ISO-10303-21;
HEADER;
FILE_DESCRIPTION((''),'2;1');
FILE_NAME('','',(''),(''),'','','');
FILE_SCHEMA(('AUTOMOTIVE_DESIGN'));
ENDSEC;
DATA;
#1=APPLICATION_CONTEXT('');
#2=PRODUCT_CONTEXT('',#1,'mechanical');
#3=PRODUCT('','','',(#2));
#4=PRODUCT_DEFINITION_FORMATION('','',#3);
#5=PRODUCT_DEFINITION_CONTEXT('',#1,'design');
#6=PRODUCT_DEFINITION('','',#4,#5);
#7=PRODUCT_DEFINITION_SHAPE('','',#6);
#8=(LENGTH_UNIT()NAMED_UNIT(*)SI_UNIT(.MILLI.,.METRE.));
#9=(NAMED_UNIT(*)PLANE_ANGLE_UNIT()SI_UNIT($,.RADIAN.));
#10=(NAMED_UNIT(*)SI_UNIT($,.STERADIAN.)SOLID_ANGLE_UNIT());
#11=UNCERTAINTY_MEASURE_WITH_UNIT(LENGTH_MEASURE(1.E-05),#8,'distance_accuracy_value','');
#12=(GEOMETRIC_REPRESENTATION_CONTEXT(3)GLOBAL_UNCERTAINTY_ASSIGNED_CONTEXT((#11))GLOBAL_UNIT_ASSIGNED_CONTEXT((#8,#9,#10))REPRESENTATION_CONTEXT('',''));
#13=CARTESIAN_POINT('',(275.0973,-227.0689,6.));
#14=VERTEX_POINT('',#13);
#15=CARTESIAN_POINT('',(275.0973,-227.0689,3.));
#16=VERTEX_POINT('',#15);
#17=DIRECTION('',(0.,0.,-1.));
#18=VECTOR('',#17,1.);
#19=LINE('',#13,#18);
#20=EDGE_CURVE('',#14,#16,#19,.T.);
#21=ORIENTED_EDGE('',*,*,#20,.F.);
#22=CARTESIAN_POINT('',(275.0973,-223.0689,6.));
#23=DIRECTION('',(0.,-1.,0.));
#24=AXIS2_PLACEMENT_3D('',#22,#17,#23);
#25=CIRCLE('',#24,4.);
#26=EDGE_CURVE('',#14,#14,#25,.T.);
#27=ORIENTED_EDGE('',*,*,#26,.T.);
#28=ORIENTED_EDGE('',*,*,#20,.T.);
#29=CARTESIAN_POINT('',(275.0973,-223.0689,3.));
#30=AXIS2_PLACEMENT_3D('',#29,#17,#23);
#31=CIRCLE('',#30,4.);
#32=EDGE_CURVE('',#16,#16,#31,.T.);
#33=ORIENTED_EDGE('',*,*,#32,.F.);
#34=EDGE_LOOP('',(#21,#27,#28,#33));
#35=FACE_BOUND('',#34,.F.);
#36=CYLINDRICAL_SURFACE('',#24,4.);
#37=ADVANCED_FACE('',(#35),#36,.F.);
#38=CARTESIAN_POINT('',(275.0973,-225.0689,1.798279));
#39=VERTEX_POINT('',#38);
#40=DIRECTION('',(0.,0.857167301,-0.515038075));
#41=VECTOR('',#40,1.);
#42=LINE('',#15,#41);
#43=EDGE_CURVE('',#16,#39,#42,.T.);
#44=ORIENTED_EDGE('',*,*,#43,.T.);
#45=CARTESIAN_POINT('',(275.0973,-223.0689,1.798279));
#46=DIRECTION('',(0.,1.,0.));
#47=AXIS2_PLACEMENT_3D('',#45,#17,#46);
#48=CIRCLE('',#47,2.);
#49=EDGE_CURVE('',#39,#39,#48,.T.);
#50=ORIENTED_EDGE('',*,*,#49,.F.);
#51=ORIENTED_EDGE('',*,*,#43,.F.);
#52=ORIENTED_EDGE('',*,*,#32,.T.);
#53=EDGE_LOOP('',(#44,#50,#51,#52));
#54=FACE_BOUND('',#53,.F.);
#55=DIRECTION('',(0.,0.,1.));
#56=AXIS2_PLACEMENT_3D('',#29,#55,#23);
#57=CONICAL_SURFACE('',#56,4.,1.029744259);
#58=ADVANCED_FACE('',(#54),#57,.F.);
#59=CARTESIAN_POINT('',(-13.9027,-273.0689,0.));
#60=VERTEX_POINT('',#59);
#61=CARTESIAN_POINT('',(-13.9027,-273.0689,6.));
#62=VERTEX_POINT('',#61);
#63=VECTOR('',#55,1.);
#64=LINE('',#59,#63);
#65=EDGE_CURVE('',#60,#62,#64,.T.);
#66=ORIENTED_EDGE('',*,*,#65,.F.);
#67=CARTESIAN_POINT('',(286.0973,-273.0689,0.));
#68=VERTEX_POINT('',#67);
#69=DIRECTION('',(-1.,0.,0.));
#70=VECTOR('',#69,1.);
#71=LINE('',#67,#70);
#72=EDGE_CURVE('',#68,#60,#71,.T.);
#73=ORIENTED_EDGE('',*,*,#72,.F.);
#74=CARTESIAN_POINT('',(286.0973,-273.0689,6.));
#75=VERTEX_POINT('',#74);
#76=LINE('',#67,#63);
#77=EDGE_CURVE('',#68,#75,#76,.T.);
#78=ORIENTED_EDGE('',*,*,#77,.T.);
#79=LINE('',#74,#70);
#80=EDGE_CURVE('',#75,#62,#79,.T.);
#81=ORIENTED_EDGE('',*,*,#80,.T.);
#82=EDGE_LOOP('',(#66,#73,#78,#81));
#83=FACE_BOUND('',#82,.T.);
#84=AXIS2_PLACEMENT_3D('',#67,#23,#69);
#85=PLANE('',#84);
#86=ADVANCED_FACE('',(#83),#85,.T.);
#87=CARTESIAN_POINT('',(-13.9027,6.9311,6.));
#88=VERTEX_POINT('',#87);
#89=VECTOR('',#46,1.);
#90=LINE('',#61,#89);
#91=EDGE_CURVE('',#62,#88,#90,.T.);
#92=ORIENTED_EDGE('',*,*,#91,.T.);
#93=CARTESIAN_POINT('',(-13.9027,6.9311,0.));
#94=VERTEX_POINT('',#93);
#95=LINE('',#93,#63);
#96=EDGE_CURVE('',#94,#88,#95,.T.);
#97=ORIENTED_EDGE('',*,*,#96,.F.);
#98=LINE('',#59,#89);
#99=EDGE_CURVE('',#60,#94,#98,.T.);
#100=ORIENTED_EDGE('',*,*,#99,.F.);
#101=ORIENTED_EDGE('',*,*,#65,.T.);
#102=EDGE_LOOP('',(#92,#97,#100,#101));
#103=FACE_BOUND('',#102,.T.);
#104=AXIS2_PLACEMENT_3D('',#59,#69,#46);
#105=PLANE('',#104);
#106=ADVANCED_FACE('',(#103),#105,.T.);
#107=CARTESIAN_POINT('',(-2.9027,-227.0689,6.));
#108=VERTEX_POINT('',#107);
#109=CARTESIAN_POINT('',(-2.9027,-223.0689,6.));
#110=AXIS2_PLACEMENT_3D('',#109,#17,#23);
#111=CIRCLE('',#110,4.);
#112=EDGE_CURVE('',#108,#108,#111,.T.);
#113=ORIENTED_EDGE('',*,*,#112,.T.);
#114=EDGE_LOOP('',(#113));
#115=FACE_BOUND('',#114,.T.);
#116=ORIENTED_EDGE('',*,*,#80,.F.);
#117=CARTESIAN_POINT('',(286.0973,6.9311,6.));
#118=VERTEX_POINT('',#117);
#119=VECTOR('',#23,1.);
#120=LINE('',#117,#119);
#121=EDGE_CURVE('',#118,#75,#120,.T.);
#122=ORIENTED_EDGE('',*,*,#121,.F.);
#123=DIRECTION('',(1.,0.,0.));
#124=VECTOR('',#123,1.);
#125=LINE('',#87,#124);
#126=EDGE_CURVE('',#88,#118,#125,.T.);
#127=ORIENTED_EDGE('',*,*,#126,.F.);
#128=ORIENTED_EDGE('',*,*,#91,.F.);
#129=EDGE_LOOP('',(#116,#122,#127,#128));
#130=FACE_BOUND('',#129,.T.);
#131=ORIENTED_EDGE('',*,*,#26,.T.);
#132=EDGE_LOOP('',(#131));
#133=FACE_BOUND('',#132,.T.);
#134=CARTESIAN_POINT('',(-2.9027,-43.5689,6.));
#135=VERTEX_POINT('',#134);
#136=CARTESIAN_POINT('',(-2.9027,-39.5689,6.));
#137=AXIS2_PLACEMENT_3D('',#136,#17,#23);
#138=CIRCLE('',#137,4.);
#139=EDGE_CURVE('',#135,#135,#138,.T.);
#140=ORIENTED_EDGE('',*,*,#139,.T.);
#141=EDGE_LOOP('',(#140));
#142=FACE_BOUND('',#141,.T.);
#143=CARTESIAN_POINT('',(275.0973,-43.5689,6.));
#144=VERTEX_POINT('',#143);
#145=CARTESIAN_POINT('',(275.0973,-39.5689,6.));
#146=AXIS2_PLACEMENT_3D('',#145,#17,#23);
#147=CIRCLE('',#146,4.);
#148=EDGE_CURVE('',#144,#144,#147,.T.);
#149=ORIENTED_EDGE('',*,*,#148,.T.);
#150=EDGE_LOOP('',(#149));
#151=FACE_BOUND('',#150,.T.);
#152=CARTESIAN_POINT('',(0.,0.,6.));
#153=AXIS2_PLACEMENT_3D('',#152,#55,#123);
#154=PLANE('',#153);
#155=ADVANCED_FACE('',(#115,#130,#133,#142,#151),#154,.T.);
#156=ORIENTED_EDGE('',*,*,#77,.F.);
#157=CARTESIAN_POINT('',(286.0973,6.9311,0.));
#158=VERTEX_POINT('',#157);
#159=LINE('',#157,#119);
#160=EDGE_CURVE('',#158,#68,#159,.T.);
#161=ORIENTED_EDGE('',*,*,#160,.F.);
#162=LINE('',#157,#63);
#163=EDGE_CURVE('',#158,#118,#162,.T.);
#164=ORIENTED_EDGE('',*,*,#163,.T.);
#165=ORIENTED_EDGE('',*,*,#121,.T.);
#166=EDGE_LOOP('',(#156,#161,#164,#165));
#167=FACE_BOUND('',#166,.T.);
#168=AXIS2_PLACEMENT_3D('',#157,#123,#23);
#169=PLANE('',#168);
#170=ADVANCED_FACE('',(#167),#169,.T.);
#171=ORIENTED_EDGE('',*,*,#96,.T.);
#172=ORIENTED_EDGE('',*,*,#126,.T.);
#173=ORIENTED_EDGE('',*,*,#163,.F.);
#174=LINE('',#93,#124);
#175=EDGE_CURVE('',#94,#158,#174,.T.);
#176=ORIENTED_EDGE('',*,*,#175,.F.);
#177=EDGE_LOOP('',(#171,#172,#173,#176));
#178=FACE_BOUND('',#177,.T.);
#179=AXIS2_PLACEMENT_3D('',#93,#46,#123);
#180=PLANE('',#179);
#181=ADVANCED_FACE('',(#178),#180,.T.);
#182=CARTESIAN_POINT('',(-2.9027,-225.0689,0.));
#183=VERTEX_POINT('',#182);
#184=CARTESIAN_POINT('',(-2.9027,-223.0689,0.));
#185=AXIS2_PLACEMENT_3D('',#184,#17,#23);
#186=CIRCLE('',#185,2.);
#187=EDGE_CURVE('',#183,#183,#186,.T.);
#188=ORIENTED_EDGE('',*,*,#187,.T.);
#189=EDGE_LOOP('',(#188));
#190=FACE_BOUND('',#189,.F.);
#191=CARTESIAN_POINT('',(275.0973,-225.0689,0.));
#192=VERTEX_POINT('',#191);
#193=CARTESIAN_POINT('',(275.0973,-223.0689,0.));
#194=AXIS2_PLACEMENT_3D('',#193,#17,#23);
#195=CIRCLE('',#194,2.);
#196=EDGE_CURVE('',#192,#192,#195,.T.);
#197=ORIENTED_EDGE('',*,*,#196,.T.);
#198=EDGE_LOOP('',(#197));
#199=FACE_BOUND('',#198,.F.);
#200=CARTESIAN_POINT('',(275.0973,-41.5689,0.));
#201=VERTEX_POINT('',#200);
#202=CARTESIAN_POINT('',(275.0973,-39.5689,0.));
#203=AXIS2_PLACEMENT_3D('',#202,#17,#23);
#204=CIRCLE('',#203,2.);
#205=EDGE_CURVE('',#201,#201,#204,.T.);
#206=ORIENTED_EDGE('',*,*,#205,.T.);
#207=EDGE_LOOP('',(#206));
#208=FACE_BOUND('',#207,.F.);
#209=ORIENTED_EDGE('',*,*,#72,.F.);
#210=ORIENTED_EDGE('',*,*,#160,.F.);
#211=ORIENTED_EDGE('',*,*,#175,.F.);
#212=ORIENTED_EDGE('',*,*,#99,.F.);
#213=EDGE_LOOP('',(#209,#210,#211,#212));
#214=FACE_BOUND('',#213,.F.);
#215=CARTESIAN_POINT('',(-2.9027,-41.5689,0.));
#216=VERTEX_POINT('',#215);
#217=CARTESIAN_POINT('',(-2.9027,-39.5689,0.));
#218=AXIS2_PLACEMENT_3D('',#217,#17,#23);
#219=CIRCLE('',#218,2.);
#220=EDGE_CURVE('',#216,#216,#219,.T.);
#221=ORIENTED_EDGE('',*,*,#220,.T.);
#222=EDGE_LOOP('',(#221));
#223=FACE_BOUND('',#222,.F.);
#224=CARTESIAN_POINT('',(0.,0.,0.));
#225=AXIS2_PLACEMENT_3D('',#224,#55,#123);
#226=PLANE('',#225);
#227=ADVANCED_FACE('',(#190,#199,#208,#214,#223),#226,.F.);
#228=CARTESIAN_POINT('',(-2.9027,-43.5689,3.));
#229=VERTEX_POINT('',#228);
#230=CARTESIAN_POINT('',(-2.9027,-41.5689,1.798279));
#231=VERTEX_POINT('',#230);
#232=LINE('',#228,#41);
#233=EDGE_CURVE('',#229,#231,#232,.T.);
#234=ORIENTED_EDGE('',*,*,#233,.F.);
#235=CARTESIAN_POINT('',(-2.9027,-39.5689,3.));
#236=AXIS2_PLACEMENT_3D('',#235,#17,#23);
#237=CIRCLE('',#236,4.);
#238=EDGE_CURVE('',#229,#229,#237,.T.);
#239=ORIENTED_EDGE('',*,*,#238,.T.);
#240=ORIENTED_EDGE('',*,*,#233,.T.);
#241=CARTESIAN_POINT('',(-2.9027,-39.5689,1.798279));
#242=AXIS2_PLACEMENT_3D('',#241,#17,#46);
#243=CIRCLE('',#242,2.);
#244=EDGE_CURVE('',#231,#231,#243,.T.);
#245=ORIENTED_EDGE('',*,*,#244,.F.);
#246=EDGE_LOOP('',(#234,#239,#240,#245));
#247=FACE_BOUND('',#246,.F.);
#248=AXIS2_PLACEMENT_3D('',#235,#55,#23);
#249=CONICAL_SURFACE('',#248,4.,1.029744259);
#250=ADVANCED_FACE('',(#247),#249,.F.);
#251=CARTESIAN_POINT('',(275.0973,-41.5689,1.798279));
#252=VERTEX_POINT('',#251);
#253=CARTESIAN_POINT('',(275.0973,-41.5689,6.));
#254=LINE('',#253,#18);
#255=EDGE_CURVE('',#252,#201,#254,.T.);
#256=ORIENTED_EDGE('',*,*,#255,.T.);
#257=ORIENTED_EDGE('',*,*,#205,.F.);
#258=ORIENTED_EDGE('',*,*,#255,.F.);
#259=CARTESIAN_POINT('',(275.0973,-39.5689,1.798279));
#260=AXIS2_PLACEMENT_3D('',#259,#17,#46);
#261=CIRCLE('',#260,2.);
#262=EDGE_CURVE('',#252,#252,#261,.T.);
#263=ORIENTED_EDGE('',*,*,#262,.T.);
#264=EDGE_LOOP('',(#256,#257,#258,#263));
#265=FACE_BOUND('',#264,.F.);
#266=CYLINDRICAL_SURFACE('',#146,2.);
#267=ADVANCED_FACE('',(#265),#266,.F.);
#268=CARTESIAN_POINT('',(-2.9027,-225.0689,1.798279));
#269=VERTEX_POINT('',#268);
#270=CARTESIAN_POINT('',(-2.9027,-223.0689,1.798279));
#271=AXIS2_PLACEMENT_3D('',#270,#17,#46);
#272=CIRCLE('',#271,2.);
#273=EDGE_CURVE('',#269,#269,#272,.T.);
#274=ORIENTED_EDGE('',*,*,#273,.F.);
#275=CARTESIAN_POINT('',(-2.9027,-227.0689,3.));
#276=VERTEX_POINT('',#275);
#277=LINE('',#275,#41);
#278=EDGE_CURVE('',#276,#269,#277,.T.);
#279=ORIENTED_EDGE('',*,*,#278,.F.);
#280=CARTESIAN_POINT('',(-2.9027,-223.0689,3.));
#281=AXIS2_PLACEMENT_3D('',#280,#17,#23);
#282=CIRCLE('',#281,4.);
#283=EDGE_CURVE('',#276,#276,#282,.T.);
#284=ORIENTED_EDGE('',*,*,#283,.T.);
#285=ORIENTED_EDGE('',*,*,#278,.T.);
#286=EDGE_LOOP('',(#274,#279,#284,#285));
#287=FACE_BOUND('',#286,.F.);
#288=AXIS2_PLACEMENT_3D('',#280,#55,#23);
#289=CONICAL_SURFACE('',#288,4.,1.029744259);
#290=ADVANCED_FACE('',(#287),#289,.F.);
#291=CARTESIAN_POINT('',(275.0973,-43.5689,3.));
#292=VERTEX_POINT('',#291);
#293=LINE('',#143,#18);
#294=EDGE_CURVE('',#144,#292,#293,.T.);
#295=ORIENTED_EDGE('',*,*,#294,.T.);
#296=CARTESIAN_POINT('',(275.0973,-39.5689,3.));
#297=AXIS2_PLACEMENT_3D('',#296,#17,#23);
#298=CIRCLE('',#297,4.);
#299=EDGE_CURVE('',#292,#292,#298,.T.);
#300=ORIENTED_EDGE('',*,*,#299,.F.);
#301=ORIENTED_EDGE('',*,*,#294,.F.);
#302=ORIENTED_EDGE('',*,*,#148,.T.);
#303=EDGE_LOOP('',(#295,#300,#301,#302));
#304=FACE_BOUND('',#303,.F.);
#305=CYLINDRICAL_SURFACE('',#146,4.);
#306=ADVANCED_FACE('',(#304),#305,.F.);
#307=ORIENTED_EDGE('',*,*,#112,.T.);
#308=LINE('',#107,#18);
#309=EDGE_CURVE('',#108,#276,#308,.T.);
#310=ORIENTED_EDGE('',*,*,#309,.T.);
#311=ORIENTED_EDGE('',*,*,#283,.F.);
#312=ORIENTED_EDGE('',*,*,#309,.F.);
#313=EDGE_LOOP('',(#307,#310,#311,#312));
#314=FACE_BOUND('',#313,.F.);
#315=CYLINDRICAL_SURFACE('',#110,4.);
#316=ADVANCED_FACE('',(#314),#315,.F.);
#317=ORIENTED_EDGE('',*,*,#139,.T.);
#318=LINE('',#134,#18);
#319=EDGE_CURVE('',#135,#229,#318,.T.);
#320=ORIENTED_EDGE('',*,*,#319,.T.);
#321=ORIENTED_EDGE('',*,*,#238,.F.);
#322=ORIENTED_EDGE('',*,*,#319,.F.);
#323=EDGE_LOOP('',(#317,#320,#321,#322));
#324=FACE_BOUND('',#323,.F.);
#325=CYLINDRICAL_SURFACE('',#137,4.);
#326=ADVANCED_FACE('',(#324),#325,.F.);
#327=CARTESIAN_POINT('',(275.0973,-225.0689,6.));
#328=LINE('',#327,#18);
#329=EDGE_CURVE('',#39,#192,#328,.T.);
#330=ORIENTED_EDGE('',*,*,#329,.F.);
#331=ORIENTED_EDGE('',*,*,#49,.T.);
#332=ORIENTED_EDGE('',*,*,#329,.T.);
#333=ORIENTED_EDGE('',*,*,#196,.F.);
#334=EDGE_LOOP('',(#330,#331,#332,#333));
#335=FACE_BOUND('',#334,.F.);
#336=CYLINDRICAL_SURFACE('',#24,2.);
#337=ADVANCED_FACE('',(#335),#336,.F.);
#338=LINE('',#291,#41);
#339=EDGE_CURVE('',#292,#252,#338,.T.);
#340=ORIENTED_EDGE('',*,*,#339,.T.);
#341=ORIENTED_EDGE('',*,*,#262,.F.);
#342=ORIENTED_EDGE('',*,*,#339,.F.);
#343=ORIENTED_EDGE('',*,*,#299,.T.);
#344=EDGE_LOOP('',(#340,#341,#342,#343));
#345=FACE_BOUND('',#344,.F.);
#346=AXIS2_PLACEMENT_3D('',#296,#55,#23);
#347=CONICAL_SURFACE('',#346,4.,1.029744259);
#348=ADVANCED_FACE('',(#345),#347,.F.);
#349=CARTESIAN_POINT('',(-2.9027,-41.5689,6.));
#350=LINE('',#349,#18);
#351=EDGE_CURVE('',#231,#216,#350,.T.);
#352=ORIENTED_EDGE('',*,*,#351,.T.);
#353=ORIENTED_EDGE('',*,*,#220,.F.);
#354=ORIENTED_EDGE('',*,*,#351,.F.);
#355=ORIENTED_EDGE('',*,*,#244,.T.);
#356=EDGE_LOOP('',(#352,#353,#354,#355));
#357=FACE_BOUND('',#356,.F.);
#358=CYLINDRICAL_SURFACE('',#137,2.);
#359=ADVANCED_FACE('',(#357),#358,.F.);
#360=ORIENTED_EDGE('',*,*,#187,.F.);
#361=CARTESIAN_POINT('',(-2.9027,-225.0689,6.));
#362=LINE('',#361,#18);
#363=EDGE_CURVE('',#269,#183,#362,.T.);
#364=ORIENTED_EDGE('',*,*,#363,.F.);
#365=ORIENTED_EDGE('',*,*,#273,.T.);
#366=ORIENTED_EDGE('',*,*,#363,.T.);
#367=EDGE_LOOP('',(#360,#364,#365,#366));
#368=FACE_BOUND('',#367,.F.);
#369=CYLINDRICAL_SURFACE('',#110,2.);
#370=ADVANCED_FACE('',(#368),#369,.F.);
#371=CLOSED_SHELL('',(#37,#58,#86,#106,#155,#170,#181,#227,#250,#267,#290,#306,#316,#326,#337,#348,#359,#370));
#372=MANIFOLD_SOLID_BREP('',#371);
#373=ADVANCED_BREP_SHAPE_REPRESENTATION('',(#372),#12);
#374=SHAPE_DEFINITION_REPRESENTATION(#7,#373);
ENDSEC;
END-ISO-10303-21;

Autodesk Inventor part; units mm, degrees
ref_plane "YZ Plane" through (0, 0, 0) normal (1, 0, 0) x (0, 1, 0)
ref_plane "XZ Plane" through (0, 0, 0) normal (0, 1, 0) x (-1, 0, 0)
ref_plane "XY Plane" through (0, 0, 0) normal (0, 0, 1) x (1, 0, 0)
sketch "Szkic1" plane through (0, 0, 0) normal (0, 0, 1) x (1, 0, 0)
  line L0 (-13.9027, 6.9311) -> (286.0973, 6.9311)
  line L1 (286.0973, 6.9311) -> (286.0973, -273.0689)
  line L2 (286.0973, -273.0689) -> (-13.9027, -273.0689)
  line L3 (-13.9027, -273.0689) -> (-13.9027, 6.9311)
  point P0 (0, 0)
  dimension "d0" = 300
  dimension "d1" = 280
extrude "Wyciągnięcie proste1" add sketch "Szkic1" along normal blind 6
sketch "Szkic2" plane through (0, 0, 6) normal (0, 0, 1) x (1, 0, 0)
  line L0 (286.0973, 6.9311) -> (-13.9027, 6.9311) projected
  line L1 (-13.9027, 6.9311) -> (-13.9027, -273.0689) projected
  line L2 (-13.9027, -273.0689) -> (286.0973, -273.0689) projected
  line L3 (286.0973, -273.0689) -> (286.0973, 6.9311) projected
  point P0 (0, 0)
  point P1 (-2.9027, -39.5689)
  point P2 (275.0973, -39.5689)
  point P3 (-2.9027, -223.0689)
  point P4 (275.0973, -223.0689)
  dimension "d4" = 46.5
  dimension "d5" = 300
  dimension "d6" = 46.5
  dimension "d7" = 11
  dimension "d8" = 11
  dimension "d9" = 50
  dimension "d10" = 50
  dimension "d11" = 11
  dimension "d12" = 11
hole "Otwór1" at (-2.9027, -39.5689, 6) at (275.0973, -39.5689, 6) at (-2.9027, -223.0689, 6) at (275.0973, -223.0689, 6) direction (0, 0, -1) diameter 4 end through all
hole "Otwór2" at (-2.9027, -39.5689, 6) at (275.0973, -39.5689, 6) at (-2.9027, -223.0689, 6) at (275.0973, -223.0689, 6) direction (0, 0, -1) diameter 8 depth 3 tip angle 118
equation "\"d6\" = d4"
equation "\"d7\" = d8"
equation "\"d11\" = d8"
equation "\"d12\" = d8"
properties part number "CNCM_ALU_6mm_Heatbed"
